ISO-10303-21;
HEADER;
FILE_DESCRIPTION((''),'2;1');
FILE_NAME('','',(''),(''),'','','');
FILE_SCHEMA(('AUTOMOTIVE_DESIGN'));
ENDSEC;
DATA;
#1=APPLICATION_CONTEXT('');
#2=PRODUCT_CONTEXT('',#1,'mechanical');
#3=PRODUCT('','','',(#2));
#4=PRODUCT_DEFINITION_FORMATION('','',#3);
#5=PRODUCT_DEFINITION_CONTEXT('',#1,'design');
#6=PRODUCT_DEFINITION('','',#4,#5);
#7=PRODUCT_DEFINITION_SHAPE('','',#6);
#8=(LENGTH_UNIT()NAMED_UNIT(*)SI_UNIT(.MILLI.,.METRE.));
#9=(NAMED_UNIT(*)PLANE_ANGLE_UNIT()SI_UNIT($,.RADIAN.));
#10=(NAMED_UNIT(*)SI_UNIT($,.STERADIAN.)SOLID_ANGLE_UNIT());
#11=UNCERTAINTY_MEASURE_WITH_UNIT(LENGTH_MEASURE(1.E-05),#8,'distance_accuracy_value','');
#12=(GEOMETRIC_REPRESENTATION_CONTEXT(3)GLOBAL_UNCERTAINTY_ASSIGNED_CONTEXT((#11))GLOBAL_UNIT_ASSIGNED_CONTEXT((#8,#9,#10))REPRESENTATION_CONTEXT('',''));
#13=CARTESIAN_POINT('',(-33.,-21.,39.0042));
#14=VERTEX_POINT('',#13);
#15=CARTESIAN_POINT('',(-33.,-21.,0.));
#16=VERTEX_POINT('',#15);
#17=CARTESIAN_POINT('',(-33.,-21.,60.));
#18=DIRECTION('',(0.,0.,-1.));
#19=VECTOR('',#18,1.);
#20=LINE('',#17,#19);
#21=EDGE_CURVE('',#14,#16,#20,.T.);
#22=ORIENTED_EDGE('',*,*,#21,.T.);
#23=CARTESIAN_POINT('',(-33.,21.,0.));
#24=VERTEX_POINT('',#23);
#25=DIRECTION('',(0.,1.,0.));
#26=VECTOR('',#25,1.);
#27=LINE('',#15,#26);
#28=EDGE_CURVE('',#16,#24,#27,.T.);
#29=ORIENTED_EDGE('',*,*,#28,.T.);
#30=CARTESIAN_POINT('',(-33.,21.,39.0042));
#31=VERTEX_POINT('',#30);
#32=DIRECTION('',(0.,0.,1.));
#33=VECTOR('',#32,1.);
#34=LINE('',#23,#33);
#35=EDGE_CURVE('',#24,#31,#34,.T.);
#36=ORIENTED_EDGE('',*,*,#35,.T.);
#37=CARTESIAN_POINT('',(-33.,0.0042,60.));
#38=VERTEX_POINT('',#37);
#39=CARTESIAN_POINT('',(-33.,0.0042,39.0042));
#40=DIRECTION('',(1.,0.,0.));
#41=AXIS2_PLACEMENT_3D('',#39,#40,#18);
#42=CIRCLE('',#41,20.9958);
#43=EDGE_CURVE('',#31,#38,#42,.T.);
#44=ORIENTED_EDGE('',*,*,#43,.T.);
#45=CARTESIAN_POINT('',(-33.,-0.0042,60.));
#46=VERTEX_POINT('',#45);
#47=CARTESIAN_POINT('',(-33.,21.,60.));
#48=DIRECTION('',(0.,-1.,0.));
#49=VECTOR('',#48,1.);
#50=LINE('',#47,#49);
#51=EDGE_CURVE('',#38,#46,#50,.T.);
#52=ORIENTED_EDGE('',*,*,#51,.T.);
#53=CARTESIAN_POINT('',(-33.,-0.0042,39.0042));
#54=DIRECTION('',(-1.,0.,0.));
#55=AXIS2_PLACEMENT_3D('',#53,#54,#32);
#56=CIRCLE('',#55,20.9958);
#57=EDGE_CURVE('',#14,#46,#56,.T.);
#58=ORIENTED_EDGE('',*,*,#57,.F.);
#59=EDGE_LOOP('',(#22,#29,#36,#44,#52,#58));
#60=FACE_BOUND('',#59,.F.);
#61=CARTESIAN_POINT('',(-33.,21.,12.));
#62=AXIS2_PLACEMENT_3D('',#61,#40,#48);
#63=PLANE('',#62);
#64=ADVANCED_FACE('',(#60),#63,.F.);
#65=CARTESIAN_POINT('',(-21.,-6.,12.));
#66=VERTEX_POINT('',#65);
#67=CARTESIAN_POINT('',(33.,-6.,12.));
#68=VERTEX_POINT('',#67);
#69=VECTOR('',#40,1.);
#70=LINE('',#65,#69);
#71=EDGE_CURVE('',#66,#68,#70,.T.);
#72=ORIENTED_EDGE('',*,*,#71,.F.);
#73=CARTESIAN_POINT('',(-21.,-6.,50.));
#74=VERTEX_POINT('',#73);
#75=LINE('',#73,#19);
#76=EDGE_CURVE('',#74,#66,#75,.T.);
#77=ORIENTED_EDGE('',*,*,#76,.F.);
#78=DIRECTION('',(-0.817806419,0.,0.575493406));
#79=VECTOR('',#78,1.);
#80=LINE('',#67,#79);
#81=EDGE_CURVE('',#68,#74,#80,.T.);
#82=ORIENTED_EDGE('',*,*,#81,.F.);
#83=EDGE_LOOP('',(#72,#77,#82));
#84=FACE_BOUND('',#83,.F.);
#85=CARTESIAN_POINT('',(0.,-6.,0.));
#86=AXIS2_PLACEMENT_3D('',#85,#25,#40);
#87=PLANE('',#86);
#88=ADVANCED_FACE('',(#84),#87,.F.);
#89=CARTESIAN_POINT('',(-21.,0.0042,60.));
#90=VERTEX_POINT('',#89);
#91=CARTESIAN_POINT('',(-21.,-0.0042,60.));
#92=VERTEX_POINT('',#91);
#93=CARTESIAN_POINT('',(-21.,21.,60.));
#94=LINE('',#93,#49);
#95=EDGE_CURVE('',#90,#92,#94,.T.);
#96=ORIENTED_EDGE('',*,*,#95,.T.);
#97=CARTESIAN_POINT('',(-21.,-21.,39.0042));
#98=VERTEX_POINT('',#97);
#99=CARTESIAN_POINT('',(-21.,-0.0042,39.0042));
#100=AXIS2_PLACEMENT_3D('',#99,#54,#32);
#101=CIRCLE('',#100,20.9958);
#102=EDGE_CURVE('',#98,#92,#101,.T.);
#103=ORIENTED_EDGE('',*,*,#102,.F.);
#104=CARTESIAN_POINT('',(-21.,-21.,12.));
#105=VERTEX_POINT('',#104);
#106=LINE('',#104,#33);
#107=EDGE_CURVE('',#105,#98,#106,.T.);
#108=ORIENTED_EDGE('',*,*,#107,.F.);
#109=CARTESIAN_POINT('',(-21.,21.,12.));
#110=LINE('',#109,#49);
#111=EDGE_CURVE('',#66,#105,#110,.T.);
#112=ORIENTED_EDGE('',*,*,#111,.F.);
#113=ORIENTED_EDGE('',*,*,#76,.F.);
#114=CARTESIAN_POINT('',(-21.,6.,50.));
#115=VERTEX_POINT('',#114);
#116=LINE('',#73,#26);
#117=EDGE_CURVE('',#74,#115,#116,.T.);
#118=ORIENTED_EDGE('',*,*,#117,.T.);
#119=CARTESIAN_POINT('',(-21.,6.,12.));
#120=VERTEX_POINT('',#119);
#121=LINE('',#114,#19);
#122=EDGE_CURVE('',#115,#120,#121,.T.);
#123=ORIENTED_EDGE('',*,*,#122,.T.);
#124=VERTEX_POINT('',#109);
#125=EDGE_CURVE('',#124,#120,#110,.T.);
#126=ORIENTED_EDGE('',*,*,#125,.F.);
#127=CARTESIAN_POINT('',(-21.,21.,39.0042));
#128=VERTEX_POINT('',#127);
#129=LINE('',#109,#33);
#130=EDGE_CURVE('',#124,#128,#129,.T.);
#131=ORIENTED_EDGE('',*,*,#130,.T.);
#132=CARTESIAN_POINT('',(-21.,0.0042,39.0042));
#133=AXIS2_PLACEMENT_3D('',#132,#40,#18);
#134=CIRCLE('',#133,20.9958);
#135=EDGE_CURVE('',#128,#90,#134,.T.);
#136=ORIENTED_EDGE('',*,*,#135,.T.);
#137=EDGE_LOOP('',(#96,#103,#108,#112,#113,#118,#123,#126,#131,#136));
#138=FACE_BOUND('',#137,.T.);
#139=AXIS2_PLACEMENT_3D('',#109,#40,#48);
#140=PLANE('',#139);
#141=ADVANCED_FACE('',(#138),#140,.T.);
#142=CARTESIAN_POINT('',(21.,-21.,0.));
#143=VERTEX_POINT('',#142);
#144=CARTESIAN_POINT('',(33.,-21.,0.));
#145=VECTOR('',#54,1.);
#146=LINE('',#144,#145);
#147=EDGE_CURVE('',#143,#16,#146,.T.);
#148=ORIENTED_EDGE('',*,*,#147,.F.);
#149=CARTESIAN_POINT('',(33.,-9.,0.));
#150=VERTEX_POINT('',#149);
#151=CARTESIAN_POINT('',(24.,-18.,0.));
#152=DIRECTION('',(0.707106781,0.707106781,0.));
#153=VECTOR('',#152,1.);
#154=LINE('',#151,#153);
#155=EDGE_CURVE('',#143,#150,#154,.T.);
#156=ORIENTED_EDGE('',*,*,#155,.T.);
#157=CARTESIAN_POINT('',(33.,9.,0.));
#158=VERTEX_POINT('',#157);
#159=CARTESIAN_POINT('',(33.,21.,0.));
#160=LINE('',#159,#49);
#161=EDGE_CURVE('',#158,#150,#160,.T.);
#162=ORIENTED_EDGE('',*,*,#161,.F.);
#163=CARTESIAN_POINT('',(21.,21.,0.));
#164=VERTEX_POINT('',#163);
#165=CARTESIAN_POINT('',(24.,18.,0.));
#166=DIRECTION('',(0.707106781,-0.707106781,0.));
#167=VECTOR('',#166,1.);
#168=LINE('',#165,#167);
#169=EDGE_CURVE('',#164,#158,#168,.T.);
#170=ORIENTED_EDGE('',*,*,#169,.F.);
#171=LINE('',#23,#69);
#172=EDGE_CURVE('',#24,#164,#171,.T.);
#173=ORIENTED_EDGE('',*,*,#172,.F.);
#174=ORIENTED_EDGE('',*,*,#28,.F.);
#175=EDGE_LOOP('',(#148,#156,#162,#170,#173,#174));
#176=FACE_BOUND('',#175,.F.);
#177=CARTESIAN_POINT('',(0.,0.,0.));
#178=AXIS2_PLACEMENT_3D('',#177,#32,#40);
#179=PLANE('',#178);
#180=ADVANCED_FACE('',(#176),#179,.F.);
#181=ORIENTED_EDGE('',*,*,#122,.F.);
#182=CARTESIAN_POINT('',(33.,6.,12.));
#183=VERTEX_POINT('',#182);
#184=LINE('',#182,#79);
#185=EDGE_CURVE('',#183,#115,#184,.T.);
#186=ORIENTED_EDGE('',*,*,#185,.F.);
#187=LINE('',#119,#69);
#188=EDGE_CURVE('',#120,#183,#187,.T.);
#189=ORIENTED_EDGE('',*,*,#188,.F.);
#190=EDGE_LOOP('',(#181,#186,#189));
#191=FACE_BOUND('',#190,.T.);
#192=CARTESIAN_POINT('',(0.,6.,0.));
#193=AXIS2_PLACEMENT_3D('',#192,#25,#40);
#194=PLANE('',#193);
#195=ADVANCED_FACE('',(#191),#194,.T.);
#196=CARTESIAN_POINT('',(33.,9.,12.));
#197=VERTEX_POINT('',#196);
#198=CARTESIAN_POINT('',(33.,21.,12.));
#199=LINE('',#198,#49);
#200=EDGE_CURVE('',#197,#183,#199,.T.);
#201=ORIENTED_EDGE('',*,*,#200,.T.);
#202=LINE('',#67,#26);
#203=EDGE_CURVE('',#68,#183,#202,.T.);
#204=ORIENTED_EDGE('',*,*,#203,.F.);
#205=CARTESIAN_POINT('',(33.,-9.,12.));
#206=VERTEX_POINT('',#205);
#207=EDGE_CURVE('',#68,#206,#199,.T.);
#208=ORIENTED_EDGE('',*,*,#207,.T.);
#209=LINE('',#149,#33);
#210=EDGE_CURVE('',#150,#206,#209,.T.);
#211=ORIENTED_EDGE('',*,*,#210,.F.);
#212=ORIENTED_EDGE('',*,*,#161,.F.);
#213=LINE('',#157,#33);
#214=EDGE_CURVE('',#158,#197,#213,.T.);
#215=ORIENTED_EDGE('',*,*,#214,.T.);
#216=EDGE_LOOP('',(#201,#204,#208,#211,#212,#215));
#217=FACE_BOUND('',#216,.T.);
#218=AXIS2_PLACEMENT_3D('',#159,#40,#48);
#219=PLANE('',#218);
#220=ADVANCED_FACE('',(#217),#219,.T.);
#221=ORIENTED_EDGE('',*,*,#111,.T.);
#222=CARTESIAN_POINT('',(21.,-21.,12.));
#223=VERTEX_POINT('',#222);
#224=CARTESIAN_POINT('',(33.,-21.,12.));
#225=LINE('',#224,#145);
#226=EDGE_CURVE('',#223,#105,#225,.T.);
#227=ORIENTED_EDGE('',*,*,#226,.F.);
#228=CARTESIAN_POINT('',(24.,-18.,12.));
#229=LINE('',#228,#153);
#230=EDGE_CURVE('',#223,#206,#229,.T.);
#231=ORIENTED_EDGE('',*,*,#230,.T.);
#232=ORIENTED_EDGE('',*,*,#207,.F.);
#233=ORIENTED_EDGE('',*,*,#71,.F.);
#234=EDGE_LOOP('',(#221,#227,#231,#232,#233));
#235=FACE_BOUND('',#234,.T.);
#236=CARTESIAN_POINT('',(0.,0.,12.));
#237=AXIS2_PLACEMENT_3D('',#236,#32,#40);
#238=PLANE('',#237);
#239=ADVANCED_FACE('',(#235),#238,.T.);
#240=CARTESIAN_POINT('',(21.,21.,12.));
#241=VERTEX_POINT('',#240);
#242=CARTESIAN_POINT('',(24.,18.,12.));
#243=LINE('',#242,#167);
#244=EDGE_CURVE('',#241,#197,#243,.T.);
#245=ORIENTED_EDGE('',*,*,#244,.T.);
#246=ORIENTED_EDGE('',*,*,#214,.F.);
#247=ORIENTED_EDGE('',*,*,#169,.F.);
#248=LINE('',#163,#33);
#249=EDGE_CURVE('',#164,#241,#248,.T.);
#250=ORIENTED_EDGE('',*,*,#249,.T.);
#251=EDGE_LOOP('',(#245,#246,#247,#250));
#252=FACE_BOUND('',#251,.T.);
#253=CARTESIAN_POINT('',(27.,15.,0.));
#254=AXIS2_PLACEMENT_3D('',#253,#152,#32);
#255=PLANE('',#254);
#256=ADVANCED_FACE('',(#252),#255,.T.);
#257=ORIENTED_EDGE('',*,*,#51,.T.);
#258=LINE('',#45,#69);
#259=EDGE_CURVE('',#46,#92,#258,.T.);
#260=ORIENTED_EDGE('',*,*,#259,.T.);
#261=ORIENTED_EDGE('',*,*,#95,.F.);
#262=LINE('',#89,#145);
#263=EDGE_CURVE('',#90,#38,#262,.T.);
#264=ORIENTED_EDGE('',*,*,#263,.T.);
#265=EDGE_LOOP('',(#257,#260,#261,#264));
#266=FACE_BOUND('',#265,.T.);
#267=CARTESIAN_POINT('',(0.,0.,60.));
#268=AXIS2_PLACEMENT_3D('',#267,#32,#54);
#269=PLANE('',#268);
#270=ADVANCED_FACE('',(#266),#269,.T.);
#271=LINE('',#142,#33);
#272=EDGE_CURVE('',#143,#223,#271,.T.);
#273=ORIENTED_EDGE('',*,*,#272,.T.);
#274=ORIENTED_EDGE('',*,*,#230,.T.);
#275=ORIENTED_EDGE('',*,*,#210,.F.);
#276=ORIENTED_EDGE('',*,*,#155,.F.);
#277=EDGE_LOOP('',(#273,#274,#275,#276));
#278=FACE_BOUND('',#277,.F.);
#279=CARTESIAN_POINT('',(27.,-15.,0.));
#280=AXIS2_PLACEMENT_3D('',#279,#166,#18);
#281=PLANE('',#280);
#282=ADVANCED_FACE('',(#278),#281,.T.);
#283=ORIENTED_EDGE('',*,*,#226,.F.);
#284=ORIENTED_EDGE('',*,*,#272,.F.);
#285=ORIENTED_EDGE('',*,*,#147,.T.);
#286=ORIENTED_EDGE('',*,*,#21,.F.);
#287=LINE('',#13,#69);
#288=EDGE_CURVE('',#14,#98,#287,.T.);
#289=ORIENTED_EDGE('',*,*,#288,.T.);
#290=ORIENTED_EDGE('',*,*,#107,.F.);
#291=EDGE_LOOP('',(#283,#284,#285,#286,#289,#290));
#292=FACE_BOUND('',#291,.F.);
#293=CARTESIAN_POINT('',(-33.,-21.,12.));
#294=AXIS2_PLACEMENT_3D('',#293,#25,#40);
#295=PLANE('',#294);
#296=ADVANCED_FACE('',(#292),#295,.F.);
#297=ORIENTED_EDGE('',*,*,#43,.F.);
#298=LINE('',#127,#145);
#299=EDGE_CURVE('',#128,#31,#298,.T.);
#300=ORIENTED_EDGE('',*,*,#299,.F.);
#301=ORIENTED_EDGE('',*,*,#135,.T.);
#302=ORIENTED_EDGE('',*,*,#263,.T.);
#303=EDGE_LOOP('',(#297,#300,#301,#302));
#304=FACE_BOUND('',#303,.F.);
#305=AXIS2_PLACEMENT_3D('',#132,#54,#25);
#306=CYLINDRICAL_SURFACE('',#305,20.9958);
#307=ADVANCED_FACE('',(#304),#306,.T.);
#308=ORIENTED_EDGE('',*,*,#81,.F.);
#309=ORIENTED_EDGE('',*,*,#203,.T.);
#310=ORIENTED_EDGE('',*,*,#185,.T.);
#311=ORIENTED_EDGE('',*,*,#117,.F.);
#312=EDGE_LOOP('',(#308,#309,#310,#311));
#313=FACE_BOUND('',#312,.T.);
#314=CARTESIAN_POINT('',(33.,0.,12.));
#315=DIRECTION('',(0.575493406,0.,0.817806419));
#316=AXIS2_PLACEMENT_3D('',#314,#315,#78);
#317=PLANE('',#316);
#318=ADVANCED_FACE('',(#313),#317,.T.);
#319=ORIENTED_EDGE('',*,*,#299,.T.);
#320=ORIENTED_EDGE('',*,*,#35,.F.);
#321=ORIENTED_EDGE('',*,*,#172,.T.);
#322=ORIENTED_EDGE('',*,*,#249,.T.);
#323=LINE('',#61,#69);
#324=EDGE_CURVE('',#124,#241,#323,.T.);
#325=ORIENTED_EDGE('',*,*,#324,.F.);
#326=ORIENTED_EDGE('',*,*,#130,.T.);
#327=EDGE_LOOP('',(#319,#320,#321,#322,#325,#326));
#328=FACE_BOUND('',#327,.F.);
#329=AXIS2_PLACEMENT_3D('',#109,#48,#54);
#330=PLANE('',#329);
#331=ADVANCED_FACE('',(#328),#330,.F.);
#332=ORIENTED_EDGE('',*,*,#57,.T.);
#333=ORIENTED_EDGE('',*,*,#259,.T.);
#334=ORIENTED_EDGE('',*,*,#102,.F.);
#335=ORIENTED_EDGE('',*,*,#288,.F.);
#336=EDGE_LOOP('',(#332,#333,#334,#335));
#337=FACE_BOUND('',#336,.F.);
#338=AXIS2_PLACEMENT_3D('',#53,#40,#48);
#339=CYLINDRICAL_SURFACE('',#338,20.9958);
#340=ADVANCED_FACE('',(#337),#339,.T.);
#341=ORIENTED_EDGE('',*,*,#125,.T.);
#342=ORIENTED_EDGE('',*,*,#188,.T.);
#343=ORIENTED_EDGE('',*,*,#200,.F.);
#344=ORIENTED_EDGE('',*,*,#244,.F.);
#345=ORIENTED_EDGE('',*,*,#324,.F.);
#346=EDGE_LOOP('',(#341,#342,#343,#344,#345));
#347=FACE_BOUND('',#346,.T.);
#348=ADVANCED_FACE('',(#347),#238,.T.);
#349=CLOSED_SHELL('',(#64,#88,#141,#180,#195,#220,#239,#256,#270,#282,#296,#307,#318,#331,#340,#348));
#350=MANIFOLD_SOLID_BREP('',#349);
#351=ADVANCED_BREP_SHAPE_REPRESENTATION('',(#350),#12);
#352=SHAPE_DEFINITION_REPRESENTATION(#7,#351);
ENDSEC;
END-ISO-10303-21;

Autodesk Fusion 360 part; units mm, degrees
sketch "Sketch1" plane through (0, 0, 0) normal (0, 0, 1) x (1, 0, 0)
  line L0 (33, -21) -> (-33, -21)
  line L1 (-33, -21) -> (-33, 21)
  line L2 (-33, 21) -> (33, 21)
  line L3 (33, 21) -> (33, -21)
  line L4 (33, -21) -> (-33, 21) construction
  line L5 (-33, -21) -> (33, 21) construction
  dimension "d1" = 66
  dimension "d2" = 42
extrude "Extrude1" add sketch "Sketch1" along normal blind 12
chamfer "Chamfer1" distance 12 angle 45 2 edges at (33, -21, 6) (33, 21, 6)
sketch "Sketch2" plane through (0, 0, 12) normal (0, 0, 1) x (-1, 0, 0)
  line L0 (-33, -9) -> (-21, -21)
  line L1 (-21, -21) -> (33, -21)
  line L2 (33, -21) -> (33, 21)
  line L3 (33, 21) -> (-21, 21)
  line L4 (-21, 21) -> (-33, 9)
  line L5 (-33, 9) -> (-33, -9)
  line L6 (33, -21) -> (21, -21)
  line L7 (21, -21) -> (21, 21)
  line L8 (21, 21) -> (33, 21)
  line L9 (33, 21) -> (33, -21)
  dimension "d6" = 12
extrude "Extrude2" add sketch "Sketch2" along normal blind 48 contours L1 L2 L3 L6 L7 L8 L9
fillet "Fillet1" radius 21 2 edges at (-27, 21, 60) (-27, -21, 60)
sketch "Sketch3" plane through (0, 0, 0) normal (0, 1, 0) x (1, 0, 0)
  line L0 (-21, -50) -> (-21, -12)
  line L1 (-21, -12) -> (33, -12)
  line L2 (33, -12) -> (-21, -50)
extrude "Extrude3" add sketch "Sketch3" along normal mid plane 12
equation "d7 = 60 mm - 12 mm"
